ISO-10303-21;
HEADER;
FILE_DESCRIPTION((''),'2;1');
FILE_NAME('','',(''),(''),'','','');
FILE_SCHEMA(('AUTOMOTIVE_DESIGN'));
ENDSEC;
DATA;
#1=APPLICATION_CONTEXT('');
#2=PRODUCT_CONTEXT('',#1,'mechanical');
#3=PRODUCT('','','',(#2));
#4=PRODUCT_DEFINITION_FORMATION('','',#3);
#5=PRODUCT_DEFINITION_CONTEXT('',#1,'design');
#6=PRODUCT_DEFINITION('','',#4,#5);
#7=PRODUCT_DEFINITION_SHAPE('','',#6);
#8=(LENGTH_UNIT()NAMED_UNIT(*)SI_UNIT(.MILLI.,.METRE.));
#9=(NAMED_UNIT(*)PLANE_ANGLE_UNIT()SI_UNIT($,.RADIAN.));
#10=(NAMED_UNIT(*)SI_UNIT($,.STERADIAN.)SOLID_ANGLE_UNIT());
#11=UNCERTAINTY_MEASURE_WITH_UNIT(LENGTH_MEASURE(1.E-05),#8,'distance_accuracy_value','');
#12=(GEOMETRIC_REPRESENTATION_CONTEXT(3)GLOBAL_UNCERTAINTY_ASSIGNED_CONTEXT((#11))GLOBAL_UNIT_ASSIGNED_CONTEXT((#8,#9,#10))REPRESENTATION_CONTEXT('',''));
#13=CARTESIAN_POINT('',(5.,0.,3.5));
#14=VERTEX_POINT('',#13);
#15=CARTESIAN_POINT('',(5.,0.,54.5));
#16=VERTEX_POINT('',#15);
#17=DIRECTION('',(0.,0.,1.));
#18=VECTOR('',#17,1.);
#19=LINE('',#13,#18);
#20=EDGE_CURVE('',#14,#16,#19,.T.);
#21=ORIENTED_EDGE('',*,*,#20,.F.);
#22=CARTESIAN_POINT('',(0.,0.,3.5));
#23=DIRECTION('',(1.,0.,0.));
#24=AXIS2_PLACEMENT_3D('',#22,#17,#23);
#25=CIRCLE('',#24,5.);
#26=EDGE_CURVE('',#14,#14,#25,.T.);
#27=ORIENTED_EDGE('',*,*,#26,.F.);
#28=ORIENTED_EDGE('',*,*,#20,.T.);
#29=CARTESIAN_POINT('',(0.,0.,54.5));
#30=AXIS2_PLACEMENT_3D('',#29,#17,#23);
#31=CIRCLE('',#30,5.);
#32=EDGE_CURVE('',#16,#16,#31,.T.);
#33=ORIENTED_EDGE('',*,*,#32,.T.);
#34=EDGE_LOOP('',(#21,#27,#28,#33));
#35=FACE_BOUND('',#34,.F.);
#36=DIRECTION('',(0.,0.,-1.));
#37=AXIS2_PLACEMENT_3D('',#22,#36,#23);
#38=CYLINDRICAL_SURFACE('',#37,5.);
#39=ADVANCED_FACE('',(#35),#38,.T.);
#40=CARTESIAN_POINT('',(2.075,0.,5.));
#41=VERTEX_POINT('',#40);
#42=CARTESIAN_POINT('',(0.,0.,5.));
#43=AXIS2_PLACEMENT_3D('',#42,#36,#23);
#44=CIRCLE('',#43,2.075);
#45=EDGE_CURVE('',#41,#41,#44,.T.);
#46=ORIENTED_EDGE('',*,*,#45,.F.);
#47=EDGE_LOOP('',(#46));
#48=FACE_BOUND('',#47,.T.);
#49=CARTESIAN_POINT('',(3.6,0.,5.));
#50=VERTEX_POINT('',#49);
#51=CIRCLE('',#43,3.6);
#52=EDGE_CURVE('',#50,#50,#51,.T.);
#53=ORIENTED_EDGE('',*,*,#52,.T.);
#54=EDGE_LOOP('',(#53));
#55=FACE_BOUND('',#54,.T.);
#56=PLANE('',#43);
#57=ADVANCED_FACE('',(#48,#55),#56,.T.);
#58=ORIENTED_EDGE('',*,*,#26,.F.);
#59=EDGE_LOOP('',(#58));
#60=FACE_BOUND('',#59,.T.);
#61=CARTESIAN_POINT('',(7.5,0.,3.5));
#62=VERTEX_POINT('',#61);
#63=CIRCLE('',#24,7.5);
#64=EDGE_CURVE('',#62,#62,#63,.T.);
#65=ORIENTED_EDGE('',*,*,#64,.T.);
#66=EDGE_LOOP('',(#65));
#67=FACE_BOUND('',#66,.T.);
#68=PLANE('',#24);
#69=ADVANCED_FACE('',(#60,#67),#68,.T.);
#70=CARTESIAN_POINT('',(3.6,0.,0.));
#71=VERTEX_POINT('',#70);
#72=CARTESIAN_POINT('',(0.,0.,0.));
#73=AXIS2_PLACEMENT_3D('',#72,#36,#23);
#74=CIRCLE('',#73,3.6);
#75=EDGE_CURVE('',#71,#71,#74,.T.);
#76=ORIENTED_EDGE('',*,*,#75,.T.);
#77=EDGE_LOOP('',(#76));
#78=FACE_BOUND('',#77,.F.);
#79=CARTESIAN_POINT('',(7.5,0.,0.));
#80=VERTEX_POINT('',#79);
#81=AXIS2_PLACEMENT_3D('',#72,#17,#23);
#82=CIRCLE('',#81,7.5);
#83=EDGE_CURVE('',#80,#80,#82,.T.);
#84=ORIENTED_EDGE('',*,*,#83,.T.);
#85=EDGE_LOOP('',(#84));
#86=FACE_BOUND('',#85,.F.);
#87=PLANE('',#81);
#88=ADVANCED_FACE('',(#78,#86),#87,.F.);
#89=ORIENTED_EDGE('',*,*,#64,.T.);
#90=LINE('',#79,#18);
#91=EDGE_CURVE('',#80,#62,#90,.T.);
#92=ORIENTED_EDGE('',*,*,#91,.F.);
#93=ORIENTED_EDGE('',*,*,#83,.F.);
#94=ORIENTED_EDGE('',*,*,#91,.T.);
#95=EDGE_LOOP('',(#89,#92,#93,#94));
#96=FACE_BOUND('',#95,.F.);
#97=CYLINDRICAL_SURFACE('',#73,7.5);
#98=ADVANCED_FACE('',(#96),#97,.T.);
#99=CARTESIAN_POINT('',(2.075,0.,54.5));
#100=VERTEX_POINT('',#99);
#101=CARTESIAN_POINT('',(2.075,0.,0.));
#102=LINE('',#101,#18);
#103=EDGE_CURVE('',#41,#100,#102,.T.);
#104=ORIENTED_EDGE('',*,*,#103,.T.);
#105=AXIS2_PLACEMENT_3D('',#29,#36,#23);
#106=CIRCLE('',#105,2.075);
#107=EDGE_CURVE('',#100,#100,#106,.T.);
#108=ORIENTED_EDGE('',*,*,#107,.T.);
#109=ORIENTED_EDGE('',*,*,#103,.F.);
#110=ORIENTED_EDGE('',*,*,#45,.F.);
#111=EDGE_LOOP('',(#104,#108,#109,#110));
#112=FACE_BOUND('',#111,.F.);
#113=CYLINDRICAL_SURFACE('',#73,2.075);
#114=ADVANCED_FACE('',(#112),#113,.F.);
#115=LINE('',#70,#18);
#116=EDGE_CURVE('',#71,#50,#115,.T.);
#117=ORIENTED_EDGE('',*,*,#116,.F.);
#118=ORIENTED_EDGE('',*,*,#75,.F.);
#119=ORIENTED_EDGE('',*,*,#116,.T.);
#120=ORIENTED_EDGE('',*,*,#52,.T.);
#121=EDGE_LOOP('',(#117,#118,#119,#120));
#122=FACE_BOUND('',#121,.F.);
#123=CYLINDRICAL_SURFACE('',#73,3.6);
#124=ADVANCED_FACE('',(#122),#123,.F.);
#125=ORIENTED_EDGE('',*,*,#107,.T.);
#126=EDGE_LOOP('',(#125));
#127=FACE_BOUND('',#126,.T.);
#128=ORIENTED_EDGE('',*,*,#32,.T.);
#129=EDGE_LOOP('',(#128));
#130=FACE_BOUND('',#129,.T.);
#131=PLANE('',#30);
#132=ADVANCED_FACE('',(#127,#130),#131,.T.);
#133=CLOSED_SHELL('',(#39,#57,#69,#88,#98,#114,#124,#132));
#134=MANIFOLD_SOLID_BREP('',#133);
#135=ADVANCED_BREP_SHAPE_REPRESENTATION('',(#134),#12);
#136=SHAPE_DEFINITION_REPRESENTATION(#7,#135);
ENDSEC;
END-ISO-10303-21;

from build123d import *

# Parameters (mm, degrees)
SKETCH_R        = 7.5
PAD_DEPTH       = 3.5
SKETCH001_R     = 5
PAD001_DEPTH    = 51
SKETCH002_R     = 2.075
POCKET_DEPTH    = 54.501
SKETCH003_R     = 3.6
POCKET001_DEPTH = 5


with BuildPart() as part:
    # Sketch → Pad (new body)
    with BuildSketch(Plane.XY):
        Circle(SKETCH_R)
    extrude(amount=PAD_DEPTH)

    # Sketch001 (on Face3 of Pad) → Pad001 (join)
    with BuildSketch(Plane.XY.offset(3.5)):
        Circle(SKETCH001_R)
    extrude(amount=PAD001_DEPTH)

    # Sketch002 (on Face2 of Pad001) → Pocket (cut, through all)
    with BuildSketch(Plane(origin=(0, 0, 0), x_dir=(1, 0, 0), z_dir=(0, 0, -1))):
        Circle(SKETCH002_R)
    extrude(amount=-POCKET_DEPTH, mode=Mode.SUBTRACT)

    # Sketch003 (on Face2 of Pocket) → Pocket001 (cut)
    with BuildSketch(Plane(origin=(0, 0, 0), x_dir=(1, 0, 0), z_dir=(0, 0, -1))):
        Circle(SKETCH003_R)
    extrude(amount=-POCKET001_DEPTH, mode=Mode.SUBTRACT)


solid = part.part
